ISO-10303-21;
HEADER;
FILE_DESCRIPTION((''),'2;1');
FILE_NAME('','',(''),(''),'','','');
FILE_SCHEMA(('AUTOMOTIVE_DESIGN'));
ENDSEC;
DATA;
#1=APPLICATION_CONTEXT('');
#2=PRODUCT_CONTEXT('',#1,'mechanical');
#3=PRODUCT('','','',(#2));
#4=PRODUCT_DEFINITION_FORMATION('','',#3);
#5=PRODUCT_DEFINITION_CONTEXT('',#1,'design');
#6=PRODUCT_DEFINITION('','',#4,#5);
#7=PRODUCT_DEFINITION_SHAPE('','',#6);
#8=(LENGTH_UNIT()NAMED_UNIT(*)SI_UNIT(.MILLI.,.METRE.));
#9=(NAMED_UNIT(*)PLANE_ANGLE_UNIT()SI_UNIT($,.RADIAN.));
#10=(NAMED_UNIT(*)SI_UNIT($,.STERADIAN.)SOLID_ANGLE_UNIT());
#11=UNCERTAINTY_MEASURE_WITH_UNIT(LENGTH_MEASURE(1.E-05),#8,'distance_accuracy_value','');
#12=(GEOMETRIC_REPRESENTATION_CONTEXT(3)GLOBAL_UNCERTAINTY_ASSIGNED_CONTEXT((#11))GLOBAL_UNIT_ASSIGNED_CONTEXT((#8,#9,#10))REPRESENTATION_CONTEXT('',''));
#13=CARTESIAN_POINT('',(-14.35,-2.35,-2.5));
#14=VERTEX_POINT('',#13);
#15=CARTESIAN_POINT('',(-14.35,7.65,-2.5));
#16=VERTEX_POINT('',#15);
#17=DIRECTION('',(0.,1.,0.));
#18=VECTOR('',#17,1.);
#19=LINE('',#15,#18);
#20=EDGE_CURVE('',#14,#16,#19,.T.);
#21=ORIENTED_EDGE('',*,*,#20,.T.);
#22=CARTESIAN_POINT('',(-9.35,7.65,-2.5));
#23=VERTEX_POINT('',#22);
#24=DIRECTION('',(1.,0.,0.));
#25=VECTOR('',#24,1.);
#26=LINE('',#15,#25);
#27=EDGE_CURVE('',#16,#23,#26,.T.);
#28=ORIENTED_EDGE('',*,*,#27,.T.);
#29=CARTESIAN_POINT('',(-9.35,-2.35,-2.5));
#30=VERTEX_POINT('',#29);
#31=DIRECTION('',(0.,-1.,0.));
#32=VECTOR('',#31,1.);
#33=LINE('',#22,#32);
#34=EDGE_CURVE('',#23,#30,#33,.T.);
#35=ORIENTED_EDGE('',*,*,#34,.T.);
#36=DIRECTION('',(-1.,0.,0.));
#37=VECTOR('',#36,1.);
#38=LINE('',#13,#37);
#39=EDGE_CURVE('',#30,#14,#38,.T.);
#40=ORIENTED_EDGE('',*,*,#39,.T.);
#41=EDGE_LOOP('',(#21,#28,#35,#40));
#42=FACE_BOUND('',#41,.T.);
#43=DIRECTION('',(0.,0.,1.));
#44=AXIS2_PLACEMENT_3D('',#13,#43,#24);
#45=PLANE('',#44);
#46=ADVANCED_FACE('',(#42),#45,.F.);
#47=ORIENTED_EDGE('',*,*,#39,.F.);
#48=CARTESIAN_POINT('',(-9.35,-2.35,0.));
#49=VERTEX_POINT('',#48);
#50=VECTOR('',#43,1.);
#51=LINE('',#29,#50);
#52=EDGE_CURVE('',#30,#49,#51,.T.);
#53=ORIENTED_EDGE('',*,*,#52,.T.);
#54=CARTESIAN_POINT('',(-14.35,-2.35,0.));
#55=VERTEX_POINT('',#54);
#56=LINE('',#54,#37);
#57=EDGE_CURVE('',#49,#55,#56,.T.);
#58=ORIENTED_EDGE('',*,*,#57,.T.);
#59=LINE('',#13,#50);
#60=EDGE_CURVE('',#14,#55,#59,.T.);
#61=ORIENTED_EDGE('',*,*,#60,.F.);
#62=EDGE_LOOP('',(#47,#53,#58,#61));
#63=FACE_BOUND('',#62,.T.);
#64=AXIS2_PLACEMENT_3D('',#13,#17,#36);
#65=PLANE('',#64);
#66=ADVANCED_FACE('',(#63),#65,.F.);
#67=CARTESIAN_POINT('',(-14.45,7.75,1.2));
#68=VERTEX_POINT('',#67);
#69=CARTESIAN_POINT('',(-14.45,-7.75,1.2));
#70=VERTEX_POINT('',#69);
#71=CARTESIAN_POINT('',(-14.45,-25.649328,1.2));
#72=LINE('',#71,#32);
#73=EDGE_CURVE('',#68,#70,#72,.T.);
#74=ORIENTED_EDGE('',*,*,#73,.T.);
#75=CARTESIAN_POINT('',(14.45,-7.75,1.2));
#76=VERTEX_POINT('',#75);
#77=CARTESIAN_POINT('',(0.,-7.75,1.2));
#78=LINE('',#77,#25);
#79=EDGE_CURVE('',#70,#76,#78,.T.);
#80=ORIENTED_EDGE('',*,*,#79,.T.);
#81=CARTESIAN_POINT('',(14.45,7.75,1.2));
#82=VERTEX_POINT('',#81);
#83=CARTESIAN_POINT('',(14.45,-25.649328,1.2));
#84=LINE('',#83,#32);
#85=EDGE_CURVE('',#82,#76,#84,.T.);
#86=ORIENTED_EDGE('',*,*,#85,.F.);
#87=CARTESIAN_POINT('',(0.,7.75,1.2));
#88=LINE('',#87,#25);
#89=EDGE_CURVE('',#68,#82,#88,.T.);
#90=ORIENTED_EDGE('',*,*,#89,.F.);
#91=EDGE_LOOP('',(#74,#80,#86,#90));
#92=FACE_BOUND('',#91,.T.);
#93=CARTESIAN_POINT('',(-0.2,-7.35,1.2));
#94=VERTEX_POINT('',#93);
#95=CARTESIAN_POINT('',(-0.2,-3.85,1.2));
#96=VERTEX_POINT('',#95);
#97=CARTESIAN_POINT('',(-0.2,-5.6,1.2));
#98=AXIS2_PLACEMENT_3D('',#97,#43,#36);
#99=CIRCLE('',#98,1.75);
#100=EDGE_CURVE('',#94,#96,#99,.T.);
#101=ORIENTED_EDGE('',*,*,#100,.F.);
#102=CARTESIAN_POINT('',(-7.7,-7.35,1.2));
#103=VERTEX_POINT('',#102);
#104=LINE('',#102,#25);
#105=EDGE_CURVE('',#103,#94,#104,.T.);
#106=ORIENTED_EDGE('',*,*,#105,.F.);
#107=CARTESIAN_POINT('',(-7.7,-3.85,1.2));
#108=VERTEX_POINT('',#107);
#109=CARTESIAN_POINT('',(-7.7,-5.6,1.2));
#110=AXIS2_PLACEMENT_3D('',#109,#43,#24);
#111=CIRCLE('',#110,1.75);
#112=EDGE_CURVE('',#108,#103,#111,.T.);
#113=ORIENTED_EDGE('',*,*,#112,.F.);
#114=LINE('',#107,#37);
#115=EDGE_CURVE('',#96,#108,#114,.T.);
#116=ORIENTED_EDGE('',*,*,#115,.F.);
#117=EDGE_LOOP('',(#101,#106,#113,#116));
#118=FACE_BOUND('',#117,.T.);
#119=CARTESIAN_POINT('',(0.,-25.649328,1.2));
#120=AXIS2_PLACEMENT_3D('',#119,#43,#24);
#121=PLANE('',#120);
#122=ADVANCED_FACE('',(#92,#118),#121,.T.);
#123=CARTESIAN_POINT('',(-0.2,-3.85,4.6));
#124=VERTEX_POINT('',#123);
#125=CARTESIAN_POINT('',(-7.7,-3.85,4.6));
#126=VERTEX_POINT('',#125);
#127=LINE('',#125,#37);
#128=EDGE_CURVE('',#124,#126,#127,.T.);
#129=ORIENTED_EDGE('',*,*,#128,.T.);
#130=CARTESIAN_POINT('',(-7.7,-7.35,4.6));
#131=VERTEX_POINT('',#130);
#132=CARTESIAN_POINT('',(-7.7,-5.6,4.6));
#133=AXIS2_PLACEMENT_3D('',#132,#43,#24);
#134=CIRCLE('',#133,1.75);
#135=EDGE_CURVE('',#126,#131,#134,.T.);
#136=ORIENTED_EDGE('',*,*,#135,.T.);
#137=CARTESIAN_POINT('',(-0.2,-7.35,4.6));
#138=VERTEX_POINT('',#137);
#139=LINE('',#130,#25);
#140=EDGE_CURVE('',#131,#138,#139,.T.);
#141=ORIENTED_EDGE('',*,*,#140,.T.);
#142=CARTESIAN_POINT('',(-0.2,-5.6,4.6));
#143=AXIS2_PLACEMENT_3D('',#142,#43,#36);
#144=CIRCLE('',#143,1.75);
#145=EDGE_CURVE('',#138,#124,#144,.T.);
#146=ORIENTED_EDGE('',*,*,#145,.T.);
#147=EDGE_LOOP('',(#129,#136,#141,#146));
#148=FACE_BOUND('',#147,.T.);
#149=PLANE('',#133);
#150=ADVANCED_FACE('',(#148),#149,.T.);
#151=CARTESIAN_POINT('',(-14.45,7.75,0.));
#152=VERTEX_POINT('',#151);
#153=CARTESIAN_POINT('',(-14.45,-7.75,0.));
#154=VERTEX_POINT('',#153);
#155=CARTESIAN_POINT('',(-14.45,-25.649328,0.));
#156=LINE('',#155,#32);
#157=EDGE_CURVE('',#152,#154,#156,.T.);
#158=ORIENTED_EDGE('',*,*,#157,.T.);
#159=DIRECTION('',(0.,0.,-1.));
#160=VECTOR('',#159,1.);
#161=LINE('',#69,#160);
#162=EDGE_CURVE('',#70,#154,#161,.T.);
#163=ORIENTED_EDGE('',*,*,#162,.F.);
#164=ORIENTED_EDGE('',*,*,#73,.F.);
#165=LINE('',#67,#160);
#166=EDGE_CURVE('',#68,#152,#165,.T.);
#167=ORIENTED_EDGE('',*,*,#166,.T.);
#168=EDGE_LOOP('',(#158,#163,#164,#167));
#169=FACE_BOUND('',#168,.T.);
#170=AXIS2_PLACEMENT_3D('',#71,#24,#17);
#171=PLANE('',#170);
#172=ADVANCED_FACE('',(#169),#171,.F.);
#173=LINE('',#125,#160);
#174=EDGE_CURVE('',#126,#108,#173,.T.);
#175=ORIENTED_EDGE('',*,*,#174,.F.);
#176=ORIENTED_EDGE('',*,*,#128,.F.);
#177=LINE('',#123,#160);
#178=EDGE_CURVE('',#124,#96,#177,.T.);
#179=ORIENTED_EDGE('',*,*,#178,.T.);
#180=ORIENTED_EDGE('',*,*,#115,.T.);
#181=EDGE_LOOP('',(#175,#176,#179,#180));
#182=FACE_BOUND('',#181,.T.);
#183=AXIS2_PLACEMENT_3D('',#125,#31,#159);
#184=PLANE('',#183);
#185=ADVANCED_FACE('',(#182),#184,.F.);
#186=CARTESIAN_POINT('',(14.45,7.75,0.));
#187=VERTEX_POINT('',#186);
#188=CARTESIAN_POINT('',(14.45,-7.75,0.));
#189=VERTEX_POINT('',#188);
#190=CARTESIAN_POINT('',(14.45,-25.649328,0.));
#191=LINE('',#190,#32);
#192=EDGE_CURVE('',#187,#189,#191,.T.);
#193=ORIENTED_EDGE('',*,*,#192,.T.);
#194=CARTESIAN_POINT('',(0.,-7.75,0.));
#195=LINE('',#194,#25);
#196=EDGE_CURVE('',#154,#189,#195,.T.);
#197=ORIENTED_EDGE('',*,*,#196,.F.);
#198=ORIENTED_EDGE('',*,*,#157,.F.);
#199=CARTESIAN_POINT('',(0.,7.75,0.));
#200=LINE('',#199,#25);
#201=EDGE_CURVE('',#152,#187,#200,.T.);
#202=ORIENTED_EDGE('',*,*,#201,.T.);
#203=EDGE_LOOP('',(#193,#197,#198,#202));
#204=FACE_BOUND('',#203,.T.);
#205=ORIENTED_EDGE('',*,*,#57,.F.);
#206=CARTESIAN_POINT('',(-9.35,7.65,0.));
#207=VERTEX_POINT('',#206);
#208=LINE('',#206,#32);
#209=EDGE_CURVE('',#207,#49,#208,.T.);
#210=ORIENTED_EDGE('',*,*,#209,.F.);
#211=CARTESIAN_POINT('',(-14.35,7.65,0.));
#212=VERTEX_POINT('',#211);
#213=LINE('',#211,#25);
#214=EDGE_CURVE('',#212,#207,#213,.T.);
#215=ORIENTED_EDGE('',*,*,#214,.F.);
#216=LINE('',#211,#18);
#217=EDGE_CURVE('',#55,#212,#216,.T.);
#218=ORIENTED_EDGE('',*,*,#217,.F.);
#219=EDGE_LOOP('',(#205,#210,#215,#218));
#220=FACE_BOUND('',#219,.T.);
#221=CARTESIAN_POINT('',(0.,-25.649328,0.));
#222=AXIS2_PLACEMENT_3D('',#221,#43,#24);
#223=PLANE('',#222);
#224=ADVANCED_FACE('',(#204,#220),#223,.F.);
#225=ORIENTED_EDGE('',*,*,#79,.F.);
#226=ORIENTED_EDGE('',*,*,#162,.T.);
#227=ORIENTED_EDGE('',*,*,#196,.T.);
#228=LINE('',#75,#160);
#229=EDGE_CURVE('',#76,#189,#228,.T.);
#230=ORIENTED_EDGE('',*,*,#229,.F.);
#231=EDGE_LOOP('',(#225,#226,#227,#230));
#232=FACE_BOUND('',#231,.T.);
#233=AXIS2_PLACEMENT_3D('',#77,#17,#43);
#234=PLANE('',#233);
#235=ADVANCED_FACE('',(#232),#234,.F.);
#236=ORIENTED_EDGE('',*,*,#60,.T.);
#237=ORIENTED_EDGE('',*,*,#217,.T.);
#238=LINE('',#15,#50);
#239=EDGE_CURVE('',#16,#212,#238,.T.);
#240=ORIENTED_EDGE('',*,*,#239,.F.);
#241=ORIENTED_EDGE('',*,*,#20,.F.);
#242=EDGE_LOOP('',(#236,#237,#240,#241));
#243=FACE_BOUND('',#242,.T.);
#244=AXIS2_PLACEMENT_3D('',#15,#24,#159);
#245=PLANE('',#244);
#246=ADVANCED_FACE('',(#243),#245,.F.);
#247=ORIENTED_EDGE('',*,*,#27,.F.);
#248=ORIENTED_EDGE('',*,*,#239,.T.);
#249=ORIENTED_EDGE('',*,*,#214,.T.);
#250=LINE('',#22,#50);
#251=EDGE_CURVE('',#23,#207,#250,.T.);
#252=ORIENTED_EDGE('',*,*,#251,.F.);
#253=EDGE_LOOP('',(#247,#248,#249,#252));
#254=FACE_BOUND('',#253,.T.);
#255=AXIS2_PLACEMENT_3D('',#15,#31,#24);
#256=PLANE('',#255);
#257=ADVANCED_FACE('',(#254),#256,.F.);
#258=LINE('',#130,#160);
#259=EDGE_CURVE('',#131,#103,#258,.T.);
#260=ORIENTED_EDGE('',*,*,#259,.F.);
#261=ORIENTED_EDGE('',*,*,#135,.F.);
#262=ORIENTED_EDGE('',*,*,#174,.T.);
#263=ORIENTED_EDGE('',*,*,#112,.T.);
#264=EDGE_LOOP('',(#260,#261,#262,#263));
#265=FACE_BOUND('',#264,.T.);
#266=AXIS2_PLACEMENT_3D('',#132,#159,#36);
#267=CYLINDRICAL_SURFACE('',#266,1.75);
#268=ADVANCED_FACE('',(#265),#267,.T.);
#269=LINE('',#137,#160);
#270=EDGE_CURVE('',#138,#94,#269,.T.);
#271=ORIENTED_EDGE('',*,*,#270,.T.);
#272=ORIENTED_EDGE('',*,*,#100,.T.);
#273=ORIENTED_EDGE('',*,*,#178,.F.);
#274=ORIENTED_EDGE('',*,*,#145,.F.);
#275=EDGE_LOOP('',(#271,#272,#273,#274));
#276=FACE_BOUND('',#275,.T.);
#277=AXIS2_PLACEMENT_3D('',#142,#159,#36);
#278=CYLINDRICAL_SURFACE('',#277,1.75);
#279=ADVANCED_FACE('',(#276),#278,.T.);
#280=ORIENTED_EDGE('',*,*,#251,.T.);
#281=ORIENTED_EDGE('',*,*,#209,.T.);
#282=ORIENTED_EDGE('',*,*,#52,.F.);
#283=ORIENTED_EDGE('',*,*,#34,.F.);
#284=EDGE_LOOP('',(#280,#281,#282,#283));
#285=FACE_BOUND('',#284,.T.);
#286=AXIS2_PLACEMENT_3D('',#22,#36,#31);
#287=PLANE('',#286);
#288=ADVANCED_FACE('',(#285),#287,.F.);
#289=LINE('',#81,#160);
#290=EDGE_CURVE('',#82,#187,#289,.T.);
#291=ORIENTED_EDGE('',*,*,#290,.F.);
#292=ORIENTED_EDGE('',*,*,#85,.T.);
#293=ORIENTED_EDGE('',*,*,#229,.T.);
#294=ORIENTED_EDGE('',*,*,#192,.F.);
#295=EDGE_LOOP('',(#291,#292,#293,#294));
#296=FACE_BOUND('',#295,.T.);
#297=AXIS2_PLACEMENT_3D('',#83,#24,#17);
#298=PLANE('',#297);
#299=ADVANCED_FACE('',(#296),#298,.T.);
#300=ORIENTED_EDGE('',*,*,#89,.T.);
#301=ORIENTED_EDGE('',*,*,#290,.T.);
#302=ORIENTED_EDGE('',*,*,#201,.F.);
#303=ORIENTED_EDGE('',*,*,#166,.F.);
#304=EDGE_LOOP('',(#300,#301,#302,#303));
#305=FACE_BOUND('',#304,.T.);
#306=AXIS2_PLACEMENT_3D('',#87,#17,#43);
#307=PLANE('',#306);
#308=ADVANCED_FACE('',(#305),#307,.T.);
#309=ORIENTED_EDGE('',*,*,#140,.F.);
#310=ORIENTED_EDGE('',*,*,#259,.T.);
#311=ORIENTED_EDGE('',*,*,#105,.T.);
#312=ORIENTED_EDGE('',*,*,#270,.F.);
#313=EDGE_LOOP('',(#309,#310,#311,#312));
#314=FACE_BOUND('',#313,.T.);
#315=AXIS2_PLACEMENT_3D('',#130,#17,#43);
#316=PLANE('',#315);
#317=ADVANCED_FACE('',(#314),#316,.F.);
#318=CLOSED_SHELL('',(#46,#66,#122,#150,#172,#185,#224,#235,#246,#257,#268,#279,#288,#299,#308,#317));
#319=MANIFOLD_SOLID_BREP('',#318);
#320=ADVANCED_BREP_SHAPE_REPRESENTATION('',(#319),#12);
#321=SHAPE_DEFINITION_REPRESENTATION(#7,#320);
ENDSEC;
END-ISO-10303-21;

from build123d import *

# Parameters (mm, degrees)
BOSS_EXTRUDE1_DEPTH = 1.2
BOSS_EXTRUDE2_DEPTH = 3.4
SKETCH3_W           = 5
SKETCH3_H           = 10
BOSS_EXTRUDE3_DEPTH = 2.5


with BuildPart() as part:
    # Sketch1 → Boss-Extrude1 (new body)
    with BuildSketch(Plane.XY):
        Polygon((-14.45, 7.75), (14.45, 7.75), (-14.45, -7.75), align=None)
        Polygon((14.45, 7.75), (14.45, -7.75), (-14.45, -7.75), align=None)
    extrude(amount=BOSS_EXTRUDE1_DEPTH)

    # Sketch2 → Boss-Extrude2 (add)
    with BuildSketch(Plane.XY.offset(1.2)):
        with BuildLine():
            Line((-7.7, -3.85), (-0.2, -3.85))
            ThreePointArc((-0.2, -3.85), (1.55, -5.6), (-0.2, -7.35))
            Line((-0.2, -7.35), (-7.7, -7.35))
            ThreePointArc((-7.7, -7.35), (-9.45, -5.6), (-7.7, -3.85))
        make_face()
    extrude(amount=BOSS_EXTRUDE2_DEPTH)

    # Sketch3 → Boss-Extrude3 (add)
    with BuildSketch(Plane(origin=(0, 0, 0), x_dir=(-1, 0, 0), z_dir=(0, 0, -1))):
        with Locations((11.85, 2.65)):
            Rectangle(SKETCH3_W, SKETCH3_H)
    extrude(amount=BOSS_EXTRUDE3_DEPTH)


solid = part.part
